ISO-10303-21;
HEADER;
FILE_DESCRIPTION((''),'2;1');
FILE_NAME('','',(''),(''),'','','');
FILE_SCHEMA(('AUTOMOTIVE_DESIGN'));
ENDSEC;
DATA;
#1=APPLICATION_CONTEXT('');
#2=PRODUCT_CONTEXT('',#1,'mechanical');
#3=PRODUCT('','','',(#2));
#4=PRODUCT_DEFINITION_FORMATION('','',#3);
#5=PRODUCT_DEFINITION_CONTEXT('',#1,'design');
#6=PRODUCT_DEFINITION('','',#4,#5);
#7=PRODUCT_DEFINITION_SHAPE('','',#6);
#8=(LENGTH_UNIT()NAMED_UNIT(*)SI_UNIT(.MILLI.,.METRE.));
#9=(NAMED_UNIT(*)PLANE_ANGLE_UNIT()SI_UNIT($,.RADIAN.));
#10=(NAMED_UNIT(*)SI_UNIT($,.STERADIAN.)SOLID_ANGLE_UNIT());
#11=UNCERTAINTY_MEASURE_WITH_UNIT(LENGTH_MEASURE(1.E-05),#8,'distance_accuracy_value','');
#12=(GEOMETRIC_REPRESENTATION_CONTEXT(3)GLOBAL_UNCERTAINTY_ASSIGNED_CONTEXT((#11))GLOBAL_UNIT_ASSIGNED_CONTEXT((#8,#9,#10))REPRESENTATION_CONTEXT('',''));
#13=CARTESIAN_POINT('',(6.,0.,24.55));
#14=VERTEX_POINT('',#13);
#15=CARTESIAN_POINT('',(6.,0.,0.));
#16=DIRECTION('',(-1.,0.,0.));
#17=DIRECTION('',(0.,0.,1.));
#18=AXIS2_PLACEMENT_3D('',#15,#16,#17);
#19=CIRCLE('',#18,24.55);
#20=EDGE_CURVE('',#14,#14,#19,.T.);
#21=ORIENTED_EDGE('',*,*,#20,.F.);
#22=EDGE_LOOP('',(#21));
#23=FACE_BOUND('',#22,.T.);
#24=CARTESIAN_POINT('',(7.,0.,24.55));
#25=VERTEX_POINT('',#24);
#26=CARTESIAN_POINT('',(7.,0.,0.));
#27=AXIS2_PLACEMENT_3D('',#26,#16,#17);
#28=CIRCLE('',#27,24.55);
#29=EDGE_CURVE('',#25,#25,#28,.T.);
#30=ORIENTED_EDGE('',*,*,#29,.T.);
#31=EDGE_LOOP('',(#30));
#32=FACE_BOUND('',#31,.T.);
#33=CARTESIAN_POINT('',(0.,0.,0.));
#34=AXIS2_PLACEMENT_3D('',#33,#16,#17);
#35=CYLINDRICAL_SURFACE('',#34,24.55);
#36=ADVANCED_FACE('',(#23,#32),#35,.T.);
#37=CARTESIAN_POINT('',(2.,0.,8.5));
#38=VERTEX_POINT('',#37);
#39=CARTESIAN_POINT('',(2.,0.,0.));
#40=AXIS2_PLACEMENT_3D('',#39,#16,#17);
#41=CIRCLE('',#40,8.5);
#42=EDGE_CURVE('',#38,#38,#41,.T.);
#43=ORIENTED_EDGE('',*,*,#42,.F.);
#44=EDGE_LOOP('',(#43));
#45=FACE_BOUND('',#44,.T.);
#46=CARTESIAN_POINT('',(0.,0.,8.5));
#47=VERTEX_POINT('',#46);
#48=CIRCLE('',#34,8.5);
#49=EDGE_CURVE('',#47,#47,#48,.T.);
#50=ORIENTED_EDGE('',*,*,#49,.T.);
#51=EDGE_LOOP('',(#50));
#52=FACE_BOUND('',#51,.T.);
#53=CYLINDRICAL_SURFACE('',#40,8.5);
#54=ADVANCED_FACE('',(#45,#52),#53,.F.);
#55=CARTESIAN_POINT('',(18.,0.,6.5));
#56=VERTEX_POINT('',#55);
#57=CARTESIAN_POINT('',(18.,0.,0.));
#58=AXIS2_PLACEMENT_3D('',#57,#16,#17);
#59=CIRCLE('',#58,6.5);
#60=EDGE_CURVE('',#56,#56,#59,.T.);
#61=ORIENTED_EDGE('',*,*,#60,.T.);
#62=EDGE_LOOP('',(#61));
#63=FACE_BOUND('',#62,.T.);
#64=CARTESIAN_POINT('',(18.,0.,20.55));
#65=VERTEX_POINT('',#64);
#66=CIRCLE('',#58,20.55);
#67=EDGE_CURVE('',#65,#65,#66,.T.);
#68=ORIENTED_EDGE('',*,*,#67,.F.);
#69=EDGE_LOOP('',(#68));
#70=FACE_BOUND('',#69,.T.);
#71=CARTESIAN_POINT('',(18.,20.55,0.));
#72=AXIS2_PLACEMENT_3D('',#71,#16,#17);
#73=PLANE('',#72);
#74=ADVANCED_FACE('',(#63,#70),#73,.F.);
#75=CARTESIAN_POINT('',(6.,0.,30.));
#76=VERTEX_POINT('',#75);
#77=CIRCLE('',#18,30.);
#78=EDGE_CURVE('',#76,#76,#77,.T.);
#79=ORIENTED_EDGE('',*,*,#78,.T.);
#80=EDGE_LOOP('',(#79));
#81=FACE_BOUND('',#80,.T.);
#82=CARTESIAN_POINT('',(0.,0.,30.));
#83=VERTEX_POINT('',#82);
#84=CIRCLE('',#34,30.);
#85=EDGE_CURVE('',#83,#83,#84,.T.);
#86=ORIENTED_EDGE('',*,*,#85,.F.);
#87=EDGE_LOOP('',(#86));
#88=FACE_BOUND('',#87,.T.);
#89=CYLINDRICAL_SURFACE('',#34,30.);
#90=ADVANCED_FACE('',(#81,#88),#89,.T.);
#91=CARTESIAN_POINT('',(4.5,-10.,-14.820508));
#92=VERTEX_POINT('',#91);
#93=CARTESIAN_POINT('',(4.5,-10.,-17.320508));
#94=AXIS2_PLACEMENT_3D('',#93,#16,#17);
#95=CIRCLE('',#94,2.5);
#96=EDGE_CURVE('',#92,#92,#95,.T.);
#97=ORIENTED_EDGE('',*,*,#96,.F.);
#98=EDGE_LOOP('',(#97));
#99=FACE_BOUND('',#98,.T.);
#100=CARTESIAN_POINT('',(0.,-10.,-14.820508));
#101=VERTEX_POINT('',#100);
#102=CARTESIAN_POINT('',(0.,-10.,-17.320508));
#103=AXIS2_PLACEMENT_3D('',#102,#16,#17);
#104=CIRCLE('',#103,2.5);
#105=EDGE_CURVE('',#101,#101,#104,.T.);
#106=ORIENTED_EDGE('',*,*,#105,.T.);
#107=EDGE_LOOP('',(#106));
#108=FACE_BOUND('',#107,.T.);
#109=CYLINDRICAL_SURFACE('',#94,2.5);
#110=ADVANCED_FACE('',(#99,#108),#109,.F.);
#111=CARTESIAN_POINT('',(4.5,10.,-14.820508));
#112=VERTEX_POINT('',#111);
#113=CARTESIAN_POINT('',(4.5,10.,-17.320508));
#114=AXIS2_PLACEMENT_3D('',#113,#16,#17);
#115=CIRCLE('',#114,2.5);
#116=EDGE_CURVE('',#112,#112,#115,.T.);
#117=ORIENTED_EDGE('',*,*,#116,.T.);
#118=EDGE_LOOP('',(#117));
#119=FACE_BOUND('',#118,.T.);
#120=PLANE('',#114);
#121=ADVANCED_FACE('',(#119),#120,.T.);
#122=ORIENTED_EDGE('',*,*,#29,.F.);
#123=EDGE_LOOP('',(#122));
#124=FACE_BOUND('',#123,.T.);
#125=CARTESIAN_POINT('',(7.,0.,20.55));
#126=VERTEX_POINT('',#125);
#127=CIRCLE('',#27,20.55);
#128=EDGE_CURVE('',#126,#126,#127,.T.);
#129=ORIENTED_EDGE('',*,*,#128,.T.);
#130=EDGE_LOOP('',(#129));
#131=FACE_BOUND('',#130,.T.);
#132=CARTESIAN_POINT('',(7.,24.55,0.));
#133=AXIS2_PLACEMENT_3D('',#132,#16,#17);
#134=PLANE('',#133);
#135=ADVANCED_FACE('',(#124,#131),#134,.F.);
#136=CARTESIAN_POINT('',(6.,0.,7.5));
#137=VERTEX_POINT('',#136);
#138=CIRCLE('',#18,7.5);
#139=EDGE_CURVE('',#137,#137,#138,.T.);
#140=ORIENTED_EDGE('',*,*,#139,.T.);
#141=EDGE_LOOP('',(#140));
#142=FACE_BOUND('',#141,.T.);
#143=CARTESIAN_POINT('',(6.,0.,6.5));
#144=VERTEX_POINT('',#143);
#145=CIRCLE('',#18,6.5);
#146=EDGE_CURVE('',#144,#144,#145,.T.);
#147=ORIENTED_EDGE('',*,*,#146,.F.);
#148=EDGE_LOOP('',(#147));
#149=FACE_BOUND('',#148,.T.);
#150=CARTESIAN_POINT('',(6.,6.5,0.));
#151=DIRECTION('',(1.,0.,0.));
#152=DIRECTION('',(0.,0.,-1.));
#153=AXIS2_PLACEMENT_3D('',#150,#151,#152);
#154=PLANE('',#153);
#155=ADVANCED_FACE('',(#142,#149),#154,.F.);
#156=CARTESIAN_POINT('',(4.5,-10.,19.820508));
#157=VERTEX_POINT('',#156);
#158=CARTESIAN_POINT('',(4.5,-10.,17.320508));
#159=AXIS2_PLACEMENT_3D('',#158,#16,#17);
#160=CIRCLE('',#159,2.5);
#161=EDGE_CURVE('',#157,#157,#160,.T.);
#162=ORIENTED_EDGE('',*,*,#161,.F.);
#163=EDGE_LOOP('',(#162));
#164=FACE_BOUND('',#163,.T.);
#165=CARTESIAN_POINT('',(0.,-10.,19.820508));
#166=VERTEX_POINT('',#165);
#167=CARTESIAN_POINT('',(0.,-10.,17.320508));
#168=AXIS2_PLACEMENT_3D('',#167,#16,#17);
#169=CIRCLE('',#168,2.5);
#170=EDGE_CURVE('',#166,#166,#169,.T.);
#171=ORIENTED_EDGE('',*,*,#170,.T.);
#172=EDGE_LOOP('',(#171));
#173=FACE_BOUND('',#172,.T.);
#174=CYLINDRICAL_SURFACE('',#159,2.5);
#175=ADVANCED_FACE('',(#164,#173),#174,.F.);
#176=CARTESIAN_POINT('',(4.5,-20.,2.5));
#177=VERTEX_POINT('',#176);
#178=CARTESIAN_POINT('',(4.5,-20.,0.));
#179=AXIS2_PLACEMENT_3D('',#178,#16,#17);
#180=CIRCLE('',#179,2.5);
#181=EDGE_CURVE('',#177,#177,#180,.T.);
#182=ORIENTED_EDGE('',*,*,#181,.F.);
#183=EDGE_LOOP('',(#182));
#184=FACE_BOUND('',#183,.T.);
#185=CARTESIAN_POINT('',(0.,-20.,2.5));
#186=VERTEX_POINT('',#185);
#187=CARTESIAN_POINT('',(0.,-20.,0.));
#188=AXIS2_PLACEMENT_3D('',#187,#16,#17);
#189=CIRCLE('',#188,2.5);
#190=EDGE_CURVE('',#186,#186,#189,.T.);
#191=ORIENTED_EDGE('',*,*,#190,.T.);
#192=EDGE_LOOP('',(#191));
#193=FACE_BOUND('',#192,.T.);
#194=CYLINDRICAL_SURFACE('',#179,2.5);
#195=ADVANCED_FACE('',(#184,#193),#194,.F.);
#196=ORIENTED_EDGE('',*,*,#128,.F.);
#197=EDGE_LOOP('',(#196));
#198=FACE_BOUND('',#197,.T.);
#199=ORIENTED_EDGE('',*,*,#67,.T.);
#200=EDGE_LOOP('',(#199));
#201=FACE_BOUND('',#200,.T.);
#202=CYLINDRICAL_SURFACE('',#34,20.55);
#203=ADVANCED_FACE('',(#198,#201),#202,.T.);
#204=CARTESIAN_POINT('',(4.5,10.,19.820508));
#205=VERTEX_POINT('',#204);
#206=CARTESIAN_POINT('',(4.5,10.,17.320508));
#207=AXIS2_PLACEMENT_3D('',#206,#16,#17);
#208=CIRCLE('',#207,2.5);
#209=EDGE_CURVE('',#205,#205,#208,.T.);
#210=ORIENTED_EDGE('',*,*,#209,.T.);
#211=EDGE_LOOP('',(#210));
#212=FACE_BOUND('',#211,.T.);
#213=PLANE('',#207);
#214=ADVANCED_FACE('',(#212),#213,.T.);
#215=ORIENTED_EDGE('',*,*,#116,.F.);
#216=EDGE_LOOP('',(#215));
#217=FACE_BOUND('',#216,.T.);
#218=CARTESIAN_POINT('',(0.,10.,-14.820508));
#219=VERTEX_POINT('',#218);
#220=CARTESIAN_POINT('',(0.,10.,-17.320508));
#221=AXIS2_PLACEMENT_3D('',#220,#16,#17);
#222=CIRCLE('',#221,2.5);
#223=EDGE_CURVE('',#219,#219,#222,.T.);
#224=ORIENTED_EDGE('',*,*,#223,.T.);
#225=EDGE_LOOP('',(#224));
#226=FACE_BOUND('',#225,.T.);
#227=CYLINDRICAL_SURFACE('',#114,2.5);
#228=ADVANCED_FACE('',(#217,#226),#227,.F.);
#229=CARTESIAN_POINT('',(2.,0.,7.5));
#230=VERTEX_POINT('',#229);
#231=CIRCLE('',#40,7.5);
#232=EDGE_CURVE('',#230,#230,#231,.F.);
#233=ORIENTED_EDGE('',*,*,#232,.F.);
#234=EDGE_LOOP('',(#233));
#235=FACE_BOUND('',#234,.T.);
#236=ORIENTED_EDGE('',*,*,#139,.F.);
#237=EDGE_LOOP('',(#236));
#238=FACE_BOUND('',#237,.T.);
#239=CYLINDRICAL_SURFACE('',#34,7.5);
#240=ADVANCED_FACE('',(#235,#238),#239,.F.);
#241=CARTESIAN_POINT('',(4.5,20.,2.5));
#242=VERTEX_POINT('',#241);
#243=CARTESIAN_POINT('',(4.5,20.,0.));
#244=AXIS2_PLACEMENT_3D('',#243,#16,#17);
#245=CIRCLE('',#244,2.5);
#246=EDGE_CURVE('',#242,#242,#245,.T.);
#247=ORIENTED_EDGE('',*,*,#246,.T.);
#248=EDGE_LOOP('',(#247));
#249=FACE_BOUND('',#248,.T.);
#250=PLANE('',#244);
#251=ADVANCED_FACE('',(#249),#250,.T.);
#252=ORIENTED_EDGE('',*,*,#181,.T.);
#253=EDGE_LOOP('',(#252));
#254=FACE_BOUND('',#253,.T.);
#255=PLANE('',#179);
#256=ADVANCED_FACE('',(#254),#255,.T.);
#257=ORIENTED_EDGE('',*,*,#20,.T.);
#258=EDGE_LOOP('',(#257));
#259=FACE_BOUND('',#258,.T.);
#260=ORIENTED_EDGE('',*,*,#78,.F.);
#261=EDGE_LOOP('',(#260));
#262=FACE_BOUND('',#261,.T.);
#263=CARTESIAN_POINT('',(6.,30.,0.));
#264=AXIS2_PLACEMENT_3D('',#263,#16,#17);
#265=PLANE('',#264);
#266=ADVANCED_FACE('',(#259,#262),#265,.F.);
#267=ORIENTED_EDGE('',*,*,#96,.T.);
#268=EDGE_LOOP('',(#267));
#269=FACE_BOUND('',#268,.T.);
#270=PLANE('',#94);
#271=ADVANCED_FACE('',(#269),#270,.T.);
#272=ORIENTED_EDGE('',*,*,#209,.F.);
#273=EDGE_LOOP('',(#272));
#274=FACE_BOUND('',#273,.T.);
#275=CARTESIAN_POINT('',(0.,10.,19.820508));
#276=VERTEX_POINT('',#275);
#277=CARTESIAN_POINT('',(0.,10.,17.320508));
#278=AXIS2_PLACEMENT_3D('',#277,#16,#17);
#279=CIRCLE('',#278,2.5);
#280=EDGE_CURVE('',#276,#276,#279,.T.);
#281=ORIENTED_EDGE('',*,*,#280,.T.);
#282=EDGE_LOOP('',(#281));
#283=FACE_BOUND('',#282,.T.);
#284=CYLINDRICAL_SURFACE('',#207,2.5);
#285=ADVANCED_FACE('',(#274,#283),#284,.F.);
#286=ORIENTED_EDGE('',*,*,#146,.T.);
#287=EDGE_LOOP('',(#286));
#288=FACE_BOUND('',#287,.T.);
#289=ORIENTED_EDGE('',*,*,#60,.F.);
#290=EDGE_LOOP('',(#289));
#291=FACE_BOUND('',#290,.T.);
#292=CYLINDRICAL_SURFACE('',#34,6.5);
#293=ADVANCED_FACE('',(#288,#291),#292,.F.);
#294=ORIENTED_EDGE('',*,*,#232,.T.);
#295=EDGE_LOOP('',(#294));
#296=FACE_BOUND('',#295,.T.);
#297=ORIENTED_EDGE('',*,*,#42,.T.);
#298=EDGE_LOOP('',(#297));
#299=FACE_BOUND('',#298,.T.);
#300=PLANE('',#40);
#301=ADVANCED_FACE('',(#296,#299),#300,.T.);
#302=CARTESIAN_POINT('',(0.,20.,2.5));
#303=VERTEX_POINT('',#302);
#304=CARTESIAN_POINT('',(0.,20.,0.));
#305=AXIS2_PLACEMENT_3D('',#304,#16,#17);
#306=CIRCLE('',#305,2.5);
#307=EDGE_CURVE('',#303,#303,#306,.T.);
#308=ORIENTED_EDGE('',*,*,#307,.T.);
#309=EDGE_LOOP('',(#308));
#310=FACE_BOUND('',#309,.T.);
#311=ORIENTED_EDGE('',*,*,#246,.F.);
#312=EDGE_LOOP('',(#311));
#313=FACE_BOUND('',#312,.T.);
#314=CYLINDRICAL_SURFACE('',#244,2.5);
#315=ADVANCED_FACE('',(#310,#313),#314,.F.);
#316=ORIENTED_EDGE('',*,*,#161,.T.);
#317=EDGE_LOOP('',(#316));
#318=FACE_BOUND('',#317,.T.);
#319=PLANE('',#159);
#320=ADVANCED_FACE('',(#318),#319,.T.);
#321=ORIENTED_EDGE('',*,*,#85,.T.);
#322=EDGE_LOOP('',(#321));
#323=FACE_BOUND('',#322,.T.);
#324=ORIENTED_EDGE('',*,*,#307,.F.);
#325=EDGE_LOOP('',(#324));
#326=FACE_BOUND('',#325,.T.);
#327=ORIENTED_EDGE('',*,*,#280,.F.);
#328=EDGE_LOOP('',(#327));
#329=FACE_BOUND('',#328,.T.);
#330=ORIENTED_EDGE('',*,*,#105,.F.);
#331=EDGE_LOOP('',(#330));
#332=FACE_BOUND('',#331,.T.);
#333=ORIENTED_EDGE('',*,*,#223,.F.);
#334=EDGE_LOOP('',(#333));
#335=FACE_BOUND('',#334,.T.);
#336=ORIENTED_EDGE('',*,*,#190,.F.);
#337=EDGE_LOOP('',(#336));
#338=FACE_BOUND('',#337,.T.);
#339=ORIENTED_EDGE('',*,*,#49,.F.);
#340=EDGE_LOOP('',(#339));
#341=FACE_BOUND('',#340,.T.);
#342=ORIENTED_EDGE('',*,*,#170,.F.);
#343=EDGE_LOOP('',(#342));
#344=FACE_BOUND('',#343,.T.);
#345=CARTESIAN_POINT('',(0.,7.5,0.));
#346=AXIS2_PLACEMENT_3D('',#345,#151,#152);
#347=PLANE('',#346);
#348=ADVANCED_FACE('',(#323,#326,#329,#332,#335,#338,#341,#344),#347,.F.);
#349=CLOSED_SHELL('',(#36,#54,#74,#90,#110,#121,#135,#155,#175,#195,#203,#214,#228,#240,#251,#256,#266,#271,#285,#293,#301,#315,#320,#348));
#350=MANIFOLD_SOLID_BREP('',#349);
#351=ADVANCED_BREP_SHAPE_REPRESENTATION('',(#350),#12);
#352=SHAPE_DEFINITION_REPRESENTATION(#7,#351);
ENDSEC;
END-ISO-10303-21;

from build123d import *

# Parameters (mm, degrees)
SKETCH2_R          = 2.5
CUT_EXTRUDE1_DEPTH = 4.5
SKETCH4_R          = 8.5
CUT_EXTRUDE3_DEPTH = 2


with BuildPart() as part:
    # Sketch1 → Revolve1 (revolve)
    with BuildSketch(Plane.XY, mode=Mode.PRIVATE) as revolve1_sk:
        Polygon((0, 30), (6, 30), (6, 24.55), (7, 24.55), (7, 20.55), (18, 20.55), (18, 6.5), (6, 6.5), (6, 7.5), (0, 7.5), align=None)
    revolve(revolve1_sk.sketch.rotate(Axis((0, 0, 0), (1, 0, 0)), 90), axis=Axis((0, 0, 0), (1, 0, 0)))

    # Sketch2 → Cut-Extrude1 (cut)
    with BuildSketch(Plane.ZY):
        with Locations((0, 20)):
            Circle(SKETCH2_R)
        with Locations((17.320508076, 10)):
            Circle(SKETCH2_R)
        with Locations((17.320508076, -10)):
            Circle(SKETCH2_R)
        with Locations((0, -20)):
            Circle(SKETCH2_R)
        with Locations((-17.320508076, -10)):
            Circle(SKETCH2_R)
        with Locations((-17.320508076, 10)):
            Circle(SKETCH2_R)
    extrude(amount=-CUT_EXTRUDE1_DEPTH, mode=Mode.SUBTRACT)

    # Sketch4 → Cut-Extrude3 (cut)
    with BuildSketch(Plane.ZY):
        Circle(SKETCH4_R)
    extrude(amount=-CUT_EXTRUDE3_DEPTH, mode=Mode.SUBTRACT)


solid = part.part
